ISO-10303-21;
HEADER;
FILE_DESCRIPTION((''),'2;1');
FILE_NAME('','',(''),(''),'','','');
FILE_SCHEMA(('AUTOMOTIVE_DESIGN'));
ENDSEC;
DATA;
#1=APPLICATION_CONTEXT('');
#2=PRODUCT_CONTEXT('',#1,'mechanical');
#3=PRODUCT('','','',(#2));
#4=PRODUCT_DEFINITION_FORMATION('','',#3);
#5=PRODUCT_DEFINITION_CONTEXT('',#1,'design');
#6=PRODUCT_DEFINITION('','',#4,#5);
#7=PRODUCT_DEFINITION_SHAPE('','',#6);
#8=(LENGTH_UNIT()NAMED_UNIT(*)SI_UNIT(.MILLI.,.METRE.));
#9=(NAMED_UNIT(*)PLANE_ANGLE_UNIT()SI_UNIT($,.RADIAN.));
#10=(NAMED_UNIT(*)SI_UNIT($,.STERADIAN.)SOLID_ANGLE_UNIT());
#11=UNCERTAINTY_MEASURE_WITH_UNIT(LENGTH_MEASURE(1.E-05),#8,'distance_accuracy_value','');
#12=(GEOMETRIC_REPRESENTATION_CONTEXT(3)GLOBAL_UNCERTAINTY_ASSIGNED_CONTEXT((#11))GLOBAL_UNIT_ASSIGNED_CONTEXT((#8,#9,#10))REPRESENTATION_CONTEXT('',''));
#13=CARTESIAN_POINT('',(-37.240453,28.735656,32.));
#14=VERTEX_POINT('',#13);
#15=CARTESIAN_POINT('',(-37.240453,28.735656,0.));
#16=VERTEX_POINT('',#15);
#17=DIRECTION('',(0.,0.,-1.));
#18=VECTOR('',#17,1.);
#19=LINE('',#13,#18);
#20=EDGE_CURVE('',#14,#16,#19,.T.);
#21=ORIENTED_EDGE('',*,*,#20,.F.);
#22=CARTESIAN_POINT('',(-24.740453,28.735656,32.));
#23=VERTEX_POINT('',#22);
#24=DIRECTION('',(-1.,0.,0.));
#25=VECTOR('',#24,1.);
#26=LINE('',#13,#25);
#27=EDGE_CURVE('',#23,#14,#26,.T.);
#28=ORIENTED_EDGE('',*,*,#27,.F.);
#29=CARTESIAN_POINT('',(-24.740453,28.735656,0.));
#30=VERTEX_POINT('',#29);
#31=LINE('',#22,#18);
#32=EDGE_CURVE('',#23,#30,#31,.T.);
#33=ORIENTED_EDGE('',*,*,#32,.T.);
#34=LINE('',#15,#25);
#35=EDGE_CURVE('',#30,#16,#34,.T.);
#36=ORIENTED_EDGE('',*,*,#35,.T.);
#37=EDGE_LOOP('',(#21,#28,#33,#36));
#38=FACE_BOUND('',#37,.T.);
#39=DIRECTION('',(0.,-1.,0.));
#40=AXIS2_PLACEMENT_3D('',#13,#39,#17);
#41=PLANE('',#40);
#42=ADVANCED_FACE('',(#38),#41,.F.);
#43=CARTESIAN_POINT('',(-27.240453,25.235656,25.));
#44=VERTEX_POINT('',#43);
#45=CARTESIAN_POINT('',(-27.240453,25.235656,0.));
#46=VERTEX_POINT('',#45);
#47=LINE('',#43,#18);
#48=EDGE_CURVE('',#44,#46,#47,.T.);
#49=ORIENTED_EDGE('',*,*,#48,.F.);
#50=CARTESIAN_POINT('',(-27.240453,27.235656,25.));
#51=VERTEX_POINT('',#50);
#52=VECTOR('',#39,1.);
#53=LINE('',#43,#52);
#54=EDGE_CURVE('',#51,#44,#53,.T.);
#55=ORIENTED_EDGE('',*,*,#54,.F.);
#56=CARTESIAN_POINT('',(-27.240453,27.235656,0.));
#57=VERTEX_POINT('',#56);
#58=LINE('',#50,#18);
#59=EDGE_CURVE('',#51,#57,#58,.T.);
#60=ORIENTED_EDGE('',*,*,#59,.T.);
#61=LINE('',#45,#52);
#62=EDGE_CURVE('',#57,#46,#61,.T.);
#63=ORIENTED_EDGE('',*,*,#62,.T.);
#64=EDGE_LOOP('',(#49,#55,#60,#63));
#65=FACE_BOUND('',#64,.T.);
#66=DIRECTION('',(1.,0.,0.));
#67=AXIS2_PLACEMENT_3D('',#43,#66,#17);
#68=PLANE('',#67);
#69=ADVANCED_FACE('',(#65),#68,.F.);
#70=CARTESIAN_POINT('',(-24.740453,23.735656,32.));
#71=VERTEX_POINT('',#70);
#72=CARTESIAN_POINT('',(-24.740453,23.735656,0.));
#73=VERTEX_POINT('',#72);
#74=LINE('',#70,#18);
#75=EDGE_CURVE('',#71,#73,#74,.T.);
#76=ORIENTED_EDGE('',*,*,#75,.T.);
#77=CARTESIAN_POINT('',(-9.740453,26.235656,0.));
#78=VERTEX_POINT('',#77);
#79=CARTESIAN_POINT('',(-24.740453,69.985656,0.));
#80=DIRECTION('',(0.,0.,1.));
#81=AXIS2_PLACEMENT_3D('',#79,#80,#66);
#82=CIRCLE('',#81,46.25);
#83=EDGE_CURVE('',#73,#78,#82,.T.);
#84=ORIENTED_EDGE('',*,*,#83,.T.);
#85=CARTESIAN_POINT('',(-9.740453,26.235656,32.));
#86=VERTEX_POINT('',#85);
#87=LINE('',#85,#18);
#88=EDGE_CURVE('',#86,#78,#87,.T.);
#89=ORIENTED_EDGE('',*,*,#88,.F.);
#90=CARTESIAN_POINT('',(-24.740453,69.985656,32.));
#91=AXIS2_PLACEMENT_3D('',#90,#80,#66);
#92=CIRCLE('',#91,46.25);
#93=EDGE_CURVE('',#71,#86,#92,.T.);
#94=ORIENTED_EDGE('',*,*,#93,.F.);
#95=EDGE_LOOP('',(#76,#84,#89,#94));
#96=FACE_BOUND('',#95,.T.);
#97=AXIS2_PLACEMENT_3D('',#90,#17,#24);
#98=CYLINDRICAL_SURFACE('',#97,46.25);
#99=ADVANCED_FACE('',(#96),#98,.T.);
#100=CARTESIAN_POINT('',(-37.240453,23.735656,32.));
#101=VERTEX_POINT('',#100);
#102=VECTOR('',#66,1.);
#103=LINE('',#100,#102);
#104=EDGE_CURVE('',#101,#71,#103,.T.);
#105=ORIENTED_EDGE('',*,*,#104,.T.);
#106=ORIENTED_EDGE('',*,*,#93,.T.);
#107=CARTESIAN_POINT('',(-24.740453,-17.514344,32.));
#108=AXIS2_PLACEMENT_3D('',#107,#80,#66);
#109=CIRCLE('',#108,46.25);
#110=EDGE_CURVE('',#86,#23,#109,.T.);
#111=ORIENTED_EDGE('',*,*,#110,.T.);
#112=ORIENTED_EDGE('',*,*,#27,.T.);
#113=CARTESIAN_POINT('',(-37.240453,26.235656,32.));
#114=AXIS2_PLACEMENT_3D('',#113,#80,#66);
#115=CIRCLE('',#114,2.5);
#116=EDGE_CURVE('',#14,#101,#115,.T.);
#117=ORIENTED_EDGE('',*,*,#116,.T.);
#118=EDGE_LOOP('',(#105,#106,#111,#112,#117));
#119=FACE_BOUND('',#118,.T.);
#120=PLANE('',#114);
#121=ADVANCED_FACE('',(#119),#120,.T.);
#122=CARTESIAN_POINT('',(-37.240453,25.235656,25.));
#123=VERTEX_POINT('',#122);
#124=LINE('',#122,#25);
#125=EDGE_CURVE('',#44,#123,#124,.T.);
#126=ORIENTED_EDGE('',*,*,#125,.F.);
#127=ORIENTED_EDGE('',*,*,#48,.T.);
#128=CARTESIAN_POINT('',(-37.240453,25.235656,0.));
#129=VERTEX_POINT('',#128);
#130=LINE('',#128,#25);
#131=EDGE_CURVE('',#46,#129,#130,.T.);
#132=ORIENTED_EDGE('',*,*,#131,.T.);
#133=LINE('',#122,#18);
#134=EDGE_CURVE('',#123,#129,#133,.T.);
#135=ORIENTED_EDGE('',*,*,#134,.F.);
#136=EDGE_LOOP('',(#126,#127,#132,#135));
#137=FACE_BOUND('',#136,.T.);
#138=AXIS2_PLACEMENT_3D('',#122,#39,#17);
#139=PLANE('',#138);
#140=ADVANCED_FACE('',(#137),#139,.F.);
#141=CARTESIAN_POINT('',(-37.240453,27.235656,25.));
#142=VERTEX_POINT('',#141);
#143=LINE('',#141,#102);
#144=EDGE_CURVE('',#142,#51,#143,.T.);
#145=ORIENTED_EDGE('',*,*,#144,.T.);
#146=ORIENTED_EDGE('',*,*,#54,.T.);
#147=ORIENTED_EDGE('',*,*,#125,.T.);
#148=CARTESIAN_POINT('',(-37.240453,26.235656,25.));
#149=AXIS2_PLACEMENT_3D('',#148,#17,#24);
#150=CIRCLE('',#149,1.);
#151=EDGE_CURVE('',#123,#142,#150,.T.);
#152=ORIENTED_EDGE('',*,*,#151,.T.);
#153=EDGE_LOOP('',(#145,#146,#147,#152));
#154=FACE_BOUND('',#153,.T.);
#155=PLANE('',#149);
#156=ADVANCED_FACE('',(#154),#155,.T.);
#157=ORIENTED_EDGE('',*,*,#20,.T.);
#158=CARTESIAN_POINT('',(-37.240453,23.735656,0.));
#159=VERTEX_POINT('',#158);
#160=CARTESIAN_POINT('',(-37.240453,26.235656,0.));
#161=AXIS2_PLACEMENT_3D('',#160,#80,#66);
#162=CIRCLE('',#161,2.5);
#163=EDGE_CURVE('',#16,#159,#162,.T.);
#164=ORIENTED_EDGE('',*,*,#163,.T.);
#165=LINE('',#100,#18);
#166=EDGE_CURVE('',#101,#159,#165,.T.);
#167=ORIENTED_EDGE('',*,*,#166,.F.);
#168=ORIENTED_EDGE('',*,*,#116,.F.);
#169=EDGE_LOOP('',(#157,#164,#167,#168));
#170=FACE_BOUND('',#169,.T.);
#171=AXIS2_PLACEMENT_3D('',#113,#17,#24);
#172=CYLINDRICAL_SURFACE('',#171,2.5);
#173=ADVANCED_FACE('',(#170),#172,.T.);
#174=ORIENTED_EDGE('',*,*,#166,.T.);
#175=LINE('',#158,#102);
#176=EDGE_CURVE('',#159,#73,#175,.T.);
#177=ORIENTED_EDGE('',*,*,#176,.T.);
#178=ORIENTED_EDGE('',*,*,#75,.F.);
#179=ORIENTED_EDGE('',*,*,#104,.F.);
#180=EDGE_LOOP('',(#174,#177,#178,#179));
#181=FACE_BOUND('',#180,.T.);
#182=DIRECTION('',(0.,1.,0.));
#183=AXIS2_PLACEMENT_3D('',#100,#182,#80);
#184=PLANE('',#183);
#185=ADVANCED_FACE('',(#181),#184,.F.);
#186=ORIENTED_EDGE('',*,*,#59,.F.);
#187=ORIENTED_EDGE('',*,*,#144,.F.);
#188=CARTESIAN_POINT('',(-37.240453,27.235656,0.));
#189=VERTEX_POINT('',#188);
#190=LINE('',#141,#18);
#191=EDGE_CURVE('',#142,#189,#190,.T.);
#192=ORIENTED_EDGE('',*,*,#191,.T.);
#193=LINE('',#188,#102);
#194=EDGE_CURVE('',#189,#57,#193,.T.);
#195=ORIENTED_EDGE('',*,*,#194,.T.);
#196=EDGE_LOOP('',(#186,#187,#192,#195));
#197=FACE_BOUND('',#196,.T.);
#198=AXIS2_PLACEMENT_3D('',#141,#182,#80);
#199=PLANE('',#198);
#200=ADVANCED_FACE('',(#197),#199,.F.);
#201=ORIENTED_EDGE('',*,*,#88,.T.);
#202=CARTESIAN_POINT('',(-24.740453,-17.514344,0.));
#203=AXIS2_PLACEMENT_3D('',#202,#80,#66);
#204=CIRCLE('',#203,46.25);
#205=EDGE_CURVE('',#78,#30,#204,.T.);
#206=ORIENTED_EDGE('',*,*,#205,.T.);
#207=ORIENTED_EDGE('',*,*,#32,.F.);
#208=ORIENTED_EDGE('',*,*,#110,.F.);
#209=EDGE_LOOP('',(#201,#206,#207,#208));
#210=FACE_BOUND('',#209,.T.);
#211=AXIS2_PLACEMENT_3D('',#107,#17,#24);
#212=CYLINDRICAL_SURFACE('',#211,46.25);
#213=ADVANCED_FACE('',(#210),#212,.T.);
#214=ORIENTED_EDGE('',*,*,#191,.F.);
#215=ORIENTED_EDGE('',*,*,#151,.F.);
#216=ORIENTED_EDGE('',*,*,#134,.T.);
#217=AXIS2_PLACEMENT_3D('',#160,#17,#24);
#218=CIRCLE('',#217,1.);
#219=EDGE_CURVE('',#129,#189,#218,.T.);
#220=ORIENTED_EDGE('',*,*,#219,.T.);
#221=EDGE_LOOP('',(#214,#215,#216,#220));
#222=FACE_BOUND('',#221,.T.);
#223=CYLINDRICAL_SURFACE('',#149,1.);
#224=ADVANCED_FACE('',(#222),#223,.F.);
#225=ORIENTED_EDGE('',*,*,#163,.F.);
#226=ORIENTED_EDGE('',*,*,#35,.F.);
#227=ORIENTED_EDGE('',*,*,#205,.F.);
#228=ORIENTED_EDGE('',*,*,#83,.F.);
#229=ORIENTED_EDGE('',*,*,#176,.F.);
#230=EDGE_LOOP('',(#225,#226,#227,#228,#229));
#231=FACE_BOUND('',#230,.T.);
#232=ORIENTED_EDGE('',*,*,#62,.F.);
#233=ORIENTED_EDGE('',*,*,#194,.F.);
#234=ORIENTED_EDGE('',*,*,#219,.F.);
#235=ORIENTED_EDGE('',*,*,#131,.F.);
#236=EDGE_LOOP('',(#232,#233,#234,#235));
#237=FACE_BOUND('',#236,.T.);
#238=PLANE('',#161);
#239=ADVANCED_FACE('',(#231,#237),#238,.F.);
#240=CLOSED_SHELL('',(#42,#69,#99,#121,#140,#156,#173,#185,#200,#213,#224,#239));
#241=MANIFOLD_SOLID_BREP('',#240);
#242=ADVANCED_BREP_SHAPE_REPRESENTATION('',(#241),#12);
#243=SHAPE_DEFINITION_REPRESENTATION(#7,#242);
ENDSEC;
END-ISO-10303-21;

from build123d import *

# Parameters (mm, degrees)
BOSS_EXTRU_1_DEPTH      = 32
ENL_V_MAT_EXTRU_2_DEPTH = 25


with BuildPart() as part:
    # Esquisse1 → Boss.-Extru.1 (new body)
    with BuildSketch(Plane.XY):
        with BuildLine():
            Line((-37.240452994, 28.735655929), (-24.740452994, 28.735655929))
            ThreePointArc((-24.740452994, 28.735655929), (-17.136999831, 28.106374906), (-9.740452994, 26.235655929))
            ThreePointArc((-9.740452994, 26.235655929), (-17.136999831, 24.364936952), (-24.740452994, 23.735655929))
            Line((-24.740452994, 23.735655929), (-37.240452994, 23.735655929))
            ThreePointArc((-37.240452994, 23.735655929), (-39.740452994, 26.235655929), (-37.240452994, 28.735655929))
        make_face()
    extrude(amount=BOSS_EXTRU_1_DEPTH)

    # Esquisse3 → Enlèv. mat.-Extru.2 (cut)
    with BuildSketch(Plane(origin=(0, 0, 0), x_dir=(-1, 0, 0), z_dir=(0, 0, -1))):
        with BuildLine():
            Line((37.240452994, 25.235655929), (27.240452994, 25.235655929))
            Line((27.240452994, 25.235655929), (27.240452994, 27.235655929))
            Line((27.240452994, 27.235655929), (37.240452994, 27.235655929))
            ThreePointArc((37.240452994, 27.235655929), (38.240452994, 26.235655929), (37.240452994, 25.235655929))
        make_face()
    extrude(amount=-ENL_V_MAT_EXTRU_2_DEPTH, mode=Mode.SUBTRACT)


solid = part.part
